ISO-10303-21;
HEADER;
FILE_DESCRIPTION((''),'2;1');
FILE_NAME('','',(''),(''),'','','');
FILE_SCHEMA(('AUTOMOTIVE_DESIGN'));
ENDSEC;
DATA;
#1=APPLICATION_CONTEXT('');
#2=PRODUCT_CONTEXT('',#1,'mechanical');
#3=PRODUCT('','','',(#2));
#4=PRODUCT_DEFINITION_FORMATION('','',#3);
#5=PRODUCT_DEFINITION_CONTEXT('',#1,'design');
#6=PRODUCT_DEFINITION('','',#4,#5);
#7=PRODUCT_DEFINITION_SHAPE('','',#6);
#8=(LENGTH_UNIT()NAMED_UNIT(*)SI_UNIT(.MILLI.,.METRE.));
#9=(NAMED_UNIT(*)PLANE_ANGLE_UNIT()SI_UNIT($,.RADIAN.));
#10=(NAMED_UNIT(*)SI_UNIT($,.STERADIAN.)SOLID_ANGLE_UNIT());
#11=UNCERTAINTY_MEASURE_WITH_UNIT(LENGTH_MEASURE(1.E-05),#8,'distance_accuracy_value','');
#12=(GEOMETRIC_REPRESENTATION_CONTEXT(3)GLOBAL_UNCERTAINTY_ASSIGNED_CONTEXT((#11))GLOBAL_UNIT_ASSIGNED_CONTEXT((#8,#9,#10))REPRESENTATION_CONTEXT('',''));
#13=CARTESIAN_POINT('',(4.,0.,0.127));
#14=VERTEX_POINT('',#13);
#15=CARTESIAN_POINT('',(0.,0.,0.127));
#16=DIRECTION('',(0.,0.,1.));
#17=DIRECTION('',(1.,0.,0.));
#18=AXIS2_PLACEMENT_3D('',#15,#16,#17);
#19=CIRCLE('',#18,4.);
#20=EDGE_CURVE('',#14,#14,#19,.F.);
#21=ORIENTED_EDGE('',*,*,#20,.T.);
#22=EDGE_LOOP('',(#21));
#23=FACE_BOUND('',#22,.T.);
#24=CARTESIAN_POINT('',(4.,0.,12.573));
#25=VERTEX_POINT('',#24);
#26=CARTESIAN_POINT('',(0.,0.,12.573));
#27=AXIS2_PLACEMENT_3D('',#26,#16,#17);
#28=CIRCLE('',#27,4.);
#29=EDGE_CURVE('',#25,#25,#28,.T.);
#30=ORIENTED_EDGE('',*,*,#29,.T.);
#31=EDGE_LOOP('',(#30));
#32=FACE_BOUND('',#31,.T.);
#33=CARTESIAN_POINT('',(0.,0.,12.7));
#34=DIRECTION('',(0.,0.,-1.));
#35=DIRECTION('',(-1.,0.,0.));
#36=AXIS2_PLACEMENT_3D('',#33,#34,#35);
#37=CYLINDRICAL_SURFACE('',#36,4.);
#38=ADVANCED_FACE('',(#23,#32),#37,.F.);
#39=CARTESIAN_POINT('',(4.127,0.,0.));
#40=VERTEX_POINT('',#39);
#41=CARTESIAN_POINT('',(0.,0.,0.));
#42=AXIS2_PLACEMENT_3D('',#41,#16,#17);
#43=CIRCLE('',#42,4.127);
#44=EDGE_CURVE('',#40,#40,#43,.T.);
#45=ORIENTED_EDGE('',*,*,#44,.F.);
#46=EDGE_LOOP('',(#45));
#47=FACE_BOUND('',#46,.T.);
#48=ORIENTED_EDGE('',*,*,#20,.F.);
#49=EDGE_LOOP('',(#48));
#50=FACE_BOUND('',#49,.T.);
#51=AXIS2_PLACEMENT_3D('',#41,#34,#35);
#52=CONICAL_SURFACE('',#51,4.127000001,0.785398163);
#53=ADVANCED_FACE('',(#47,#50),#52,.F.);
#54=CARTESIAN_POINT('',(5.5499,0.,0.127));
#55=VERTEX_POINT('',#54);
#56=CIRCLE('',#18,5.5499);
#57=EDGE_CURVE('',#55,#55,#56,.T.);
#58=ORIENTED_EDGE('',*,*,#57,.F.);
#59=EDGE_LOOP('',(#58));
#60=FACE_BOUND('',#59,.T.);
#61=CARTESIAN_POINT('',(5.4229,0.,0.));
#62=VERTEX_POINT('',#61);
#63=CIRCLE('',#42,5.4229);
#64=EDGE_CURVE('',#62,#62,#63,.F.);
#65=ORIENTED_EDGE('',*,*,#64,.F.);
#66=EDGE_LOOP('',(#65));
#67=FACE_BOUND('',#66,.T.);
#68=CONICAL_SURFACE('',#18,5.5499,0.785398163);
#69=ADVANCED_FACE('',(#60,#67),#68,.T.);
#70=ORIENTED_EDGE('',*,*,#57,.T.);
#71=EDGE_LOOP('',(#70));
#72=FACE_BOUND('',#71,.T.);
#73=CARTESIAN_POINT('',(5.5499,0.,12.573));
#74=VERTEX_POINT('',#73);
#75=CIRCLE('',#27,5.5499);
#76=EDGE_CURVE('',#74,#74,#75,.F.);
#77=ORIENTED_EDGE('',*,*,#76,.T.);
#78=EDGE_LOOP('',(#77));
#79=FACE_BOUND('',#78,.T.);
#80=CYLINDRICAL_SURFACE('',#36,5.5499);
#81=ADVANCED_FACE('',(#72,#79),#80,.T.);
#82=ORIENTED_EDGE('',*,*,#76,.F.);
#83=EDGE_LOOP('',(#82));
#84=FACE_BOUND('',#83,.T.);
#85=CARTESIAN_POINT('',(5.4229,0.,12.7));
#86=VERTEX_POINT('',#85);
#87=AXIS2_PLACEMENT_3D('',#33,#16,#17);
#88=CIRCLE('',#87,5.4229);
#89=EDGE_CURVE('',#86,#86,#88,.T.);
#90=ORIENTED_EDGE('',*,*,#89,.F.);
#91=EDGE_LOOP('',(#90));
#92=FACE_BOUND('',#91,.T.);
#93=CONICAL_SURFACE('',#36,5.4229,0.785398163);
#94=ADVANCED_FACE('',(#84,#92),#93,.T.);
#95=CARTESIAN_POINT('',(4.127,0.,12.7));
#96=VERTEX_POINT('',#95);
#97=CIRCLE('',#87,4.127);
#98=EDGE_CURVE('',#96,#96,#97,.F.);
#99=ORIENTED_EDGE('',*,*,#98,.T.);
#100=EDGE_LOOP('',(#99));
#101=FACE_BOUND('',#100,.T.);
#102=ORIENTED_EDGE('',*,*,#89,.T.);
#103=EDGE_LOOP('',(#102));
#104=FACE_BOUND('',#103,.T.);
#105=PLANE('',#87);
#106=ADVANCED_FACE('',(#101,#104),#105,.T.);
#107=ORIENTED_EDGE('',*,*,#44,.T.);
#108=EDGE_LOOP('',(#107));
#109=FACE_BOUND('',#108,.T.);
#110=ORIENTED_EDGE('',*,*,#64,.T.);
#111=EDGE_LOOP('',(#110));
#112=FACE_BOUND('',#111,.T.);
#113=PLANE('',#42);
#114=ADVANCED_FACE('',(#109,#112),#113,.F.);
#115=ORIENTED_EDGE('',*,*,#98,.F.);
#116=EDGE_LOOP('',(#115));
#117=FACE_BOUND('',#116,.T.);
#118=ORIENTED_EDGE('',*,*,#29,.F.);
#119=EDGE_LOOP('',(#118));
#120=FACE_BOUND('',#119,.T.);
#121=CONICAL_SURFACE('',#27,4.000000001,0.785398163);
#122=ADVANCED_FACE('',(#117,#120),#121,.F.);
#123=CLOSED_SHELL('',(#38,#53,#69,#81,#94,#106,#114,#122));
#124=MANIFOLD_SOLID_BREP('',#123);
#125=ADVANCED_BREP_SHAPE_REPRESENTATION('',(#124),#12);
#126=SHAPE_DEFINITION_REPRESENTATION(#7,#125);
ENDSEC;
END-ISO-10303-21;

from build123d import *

# Parameters (mm, degrees)
SKETCH1_R           = 5.5499
SKETCH1_R_2         = 4.000000001
BOSS_EXTRUDE1_DEPTH = 12.7
CHAMFER1_SIZE       = 0.127


with BuildPart() as part:
    # Sketch1 → Boss-Extrude1 (new body)
    with BuildSketch(Plane.XY):
        Circle(SKETCH1_R)
        Circle(SKETCH1_R_2, mode=Mode.SUBTRACT)
    extrude(amount=BOSS_EXTRUDE1_DEPTH)

    # Chamfer1
    chamfer1_edges = [part.edges().sort_by_distance(p)[0] for p in [
        (-5.5499, 0, 0),
        (-5.5499, 0, 12.7),
        (-4.000000001, 0, 0),
        (-4.000000001, 0, 12.7),
    ]]
    chamfer(chamfer1_edges, length=CHAMFER1_SIZE)


solid = part.part
